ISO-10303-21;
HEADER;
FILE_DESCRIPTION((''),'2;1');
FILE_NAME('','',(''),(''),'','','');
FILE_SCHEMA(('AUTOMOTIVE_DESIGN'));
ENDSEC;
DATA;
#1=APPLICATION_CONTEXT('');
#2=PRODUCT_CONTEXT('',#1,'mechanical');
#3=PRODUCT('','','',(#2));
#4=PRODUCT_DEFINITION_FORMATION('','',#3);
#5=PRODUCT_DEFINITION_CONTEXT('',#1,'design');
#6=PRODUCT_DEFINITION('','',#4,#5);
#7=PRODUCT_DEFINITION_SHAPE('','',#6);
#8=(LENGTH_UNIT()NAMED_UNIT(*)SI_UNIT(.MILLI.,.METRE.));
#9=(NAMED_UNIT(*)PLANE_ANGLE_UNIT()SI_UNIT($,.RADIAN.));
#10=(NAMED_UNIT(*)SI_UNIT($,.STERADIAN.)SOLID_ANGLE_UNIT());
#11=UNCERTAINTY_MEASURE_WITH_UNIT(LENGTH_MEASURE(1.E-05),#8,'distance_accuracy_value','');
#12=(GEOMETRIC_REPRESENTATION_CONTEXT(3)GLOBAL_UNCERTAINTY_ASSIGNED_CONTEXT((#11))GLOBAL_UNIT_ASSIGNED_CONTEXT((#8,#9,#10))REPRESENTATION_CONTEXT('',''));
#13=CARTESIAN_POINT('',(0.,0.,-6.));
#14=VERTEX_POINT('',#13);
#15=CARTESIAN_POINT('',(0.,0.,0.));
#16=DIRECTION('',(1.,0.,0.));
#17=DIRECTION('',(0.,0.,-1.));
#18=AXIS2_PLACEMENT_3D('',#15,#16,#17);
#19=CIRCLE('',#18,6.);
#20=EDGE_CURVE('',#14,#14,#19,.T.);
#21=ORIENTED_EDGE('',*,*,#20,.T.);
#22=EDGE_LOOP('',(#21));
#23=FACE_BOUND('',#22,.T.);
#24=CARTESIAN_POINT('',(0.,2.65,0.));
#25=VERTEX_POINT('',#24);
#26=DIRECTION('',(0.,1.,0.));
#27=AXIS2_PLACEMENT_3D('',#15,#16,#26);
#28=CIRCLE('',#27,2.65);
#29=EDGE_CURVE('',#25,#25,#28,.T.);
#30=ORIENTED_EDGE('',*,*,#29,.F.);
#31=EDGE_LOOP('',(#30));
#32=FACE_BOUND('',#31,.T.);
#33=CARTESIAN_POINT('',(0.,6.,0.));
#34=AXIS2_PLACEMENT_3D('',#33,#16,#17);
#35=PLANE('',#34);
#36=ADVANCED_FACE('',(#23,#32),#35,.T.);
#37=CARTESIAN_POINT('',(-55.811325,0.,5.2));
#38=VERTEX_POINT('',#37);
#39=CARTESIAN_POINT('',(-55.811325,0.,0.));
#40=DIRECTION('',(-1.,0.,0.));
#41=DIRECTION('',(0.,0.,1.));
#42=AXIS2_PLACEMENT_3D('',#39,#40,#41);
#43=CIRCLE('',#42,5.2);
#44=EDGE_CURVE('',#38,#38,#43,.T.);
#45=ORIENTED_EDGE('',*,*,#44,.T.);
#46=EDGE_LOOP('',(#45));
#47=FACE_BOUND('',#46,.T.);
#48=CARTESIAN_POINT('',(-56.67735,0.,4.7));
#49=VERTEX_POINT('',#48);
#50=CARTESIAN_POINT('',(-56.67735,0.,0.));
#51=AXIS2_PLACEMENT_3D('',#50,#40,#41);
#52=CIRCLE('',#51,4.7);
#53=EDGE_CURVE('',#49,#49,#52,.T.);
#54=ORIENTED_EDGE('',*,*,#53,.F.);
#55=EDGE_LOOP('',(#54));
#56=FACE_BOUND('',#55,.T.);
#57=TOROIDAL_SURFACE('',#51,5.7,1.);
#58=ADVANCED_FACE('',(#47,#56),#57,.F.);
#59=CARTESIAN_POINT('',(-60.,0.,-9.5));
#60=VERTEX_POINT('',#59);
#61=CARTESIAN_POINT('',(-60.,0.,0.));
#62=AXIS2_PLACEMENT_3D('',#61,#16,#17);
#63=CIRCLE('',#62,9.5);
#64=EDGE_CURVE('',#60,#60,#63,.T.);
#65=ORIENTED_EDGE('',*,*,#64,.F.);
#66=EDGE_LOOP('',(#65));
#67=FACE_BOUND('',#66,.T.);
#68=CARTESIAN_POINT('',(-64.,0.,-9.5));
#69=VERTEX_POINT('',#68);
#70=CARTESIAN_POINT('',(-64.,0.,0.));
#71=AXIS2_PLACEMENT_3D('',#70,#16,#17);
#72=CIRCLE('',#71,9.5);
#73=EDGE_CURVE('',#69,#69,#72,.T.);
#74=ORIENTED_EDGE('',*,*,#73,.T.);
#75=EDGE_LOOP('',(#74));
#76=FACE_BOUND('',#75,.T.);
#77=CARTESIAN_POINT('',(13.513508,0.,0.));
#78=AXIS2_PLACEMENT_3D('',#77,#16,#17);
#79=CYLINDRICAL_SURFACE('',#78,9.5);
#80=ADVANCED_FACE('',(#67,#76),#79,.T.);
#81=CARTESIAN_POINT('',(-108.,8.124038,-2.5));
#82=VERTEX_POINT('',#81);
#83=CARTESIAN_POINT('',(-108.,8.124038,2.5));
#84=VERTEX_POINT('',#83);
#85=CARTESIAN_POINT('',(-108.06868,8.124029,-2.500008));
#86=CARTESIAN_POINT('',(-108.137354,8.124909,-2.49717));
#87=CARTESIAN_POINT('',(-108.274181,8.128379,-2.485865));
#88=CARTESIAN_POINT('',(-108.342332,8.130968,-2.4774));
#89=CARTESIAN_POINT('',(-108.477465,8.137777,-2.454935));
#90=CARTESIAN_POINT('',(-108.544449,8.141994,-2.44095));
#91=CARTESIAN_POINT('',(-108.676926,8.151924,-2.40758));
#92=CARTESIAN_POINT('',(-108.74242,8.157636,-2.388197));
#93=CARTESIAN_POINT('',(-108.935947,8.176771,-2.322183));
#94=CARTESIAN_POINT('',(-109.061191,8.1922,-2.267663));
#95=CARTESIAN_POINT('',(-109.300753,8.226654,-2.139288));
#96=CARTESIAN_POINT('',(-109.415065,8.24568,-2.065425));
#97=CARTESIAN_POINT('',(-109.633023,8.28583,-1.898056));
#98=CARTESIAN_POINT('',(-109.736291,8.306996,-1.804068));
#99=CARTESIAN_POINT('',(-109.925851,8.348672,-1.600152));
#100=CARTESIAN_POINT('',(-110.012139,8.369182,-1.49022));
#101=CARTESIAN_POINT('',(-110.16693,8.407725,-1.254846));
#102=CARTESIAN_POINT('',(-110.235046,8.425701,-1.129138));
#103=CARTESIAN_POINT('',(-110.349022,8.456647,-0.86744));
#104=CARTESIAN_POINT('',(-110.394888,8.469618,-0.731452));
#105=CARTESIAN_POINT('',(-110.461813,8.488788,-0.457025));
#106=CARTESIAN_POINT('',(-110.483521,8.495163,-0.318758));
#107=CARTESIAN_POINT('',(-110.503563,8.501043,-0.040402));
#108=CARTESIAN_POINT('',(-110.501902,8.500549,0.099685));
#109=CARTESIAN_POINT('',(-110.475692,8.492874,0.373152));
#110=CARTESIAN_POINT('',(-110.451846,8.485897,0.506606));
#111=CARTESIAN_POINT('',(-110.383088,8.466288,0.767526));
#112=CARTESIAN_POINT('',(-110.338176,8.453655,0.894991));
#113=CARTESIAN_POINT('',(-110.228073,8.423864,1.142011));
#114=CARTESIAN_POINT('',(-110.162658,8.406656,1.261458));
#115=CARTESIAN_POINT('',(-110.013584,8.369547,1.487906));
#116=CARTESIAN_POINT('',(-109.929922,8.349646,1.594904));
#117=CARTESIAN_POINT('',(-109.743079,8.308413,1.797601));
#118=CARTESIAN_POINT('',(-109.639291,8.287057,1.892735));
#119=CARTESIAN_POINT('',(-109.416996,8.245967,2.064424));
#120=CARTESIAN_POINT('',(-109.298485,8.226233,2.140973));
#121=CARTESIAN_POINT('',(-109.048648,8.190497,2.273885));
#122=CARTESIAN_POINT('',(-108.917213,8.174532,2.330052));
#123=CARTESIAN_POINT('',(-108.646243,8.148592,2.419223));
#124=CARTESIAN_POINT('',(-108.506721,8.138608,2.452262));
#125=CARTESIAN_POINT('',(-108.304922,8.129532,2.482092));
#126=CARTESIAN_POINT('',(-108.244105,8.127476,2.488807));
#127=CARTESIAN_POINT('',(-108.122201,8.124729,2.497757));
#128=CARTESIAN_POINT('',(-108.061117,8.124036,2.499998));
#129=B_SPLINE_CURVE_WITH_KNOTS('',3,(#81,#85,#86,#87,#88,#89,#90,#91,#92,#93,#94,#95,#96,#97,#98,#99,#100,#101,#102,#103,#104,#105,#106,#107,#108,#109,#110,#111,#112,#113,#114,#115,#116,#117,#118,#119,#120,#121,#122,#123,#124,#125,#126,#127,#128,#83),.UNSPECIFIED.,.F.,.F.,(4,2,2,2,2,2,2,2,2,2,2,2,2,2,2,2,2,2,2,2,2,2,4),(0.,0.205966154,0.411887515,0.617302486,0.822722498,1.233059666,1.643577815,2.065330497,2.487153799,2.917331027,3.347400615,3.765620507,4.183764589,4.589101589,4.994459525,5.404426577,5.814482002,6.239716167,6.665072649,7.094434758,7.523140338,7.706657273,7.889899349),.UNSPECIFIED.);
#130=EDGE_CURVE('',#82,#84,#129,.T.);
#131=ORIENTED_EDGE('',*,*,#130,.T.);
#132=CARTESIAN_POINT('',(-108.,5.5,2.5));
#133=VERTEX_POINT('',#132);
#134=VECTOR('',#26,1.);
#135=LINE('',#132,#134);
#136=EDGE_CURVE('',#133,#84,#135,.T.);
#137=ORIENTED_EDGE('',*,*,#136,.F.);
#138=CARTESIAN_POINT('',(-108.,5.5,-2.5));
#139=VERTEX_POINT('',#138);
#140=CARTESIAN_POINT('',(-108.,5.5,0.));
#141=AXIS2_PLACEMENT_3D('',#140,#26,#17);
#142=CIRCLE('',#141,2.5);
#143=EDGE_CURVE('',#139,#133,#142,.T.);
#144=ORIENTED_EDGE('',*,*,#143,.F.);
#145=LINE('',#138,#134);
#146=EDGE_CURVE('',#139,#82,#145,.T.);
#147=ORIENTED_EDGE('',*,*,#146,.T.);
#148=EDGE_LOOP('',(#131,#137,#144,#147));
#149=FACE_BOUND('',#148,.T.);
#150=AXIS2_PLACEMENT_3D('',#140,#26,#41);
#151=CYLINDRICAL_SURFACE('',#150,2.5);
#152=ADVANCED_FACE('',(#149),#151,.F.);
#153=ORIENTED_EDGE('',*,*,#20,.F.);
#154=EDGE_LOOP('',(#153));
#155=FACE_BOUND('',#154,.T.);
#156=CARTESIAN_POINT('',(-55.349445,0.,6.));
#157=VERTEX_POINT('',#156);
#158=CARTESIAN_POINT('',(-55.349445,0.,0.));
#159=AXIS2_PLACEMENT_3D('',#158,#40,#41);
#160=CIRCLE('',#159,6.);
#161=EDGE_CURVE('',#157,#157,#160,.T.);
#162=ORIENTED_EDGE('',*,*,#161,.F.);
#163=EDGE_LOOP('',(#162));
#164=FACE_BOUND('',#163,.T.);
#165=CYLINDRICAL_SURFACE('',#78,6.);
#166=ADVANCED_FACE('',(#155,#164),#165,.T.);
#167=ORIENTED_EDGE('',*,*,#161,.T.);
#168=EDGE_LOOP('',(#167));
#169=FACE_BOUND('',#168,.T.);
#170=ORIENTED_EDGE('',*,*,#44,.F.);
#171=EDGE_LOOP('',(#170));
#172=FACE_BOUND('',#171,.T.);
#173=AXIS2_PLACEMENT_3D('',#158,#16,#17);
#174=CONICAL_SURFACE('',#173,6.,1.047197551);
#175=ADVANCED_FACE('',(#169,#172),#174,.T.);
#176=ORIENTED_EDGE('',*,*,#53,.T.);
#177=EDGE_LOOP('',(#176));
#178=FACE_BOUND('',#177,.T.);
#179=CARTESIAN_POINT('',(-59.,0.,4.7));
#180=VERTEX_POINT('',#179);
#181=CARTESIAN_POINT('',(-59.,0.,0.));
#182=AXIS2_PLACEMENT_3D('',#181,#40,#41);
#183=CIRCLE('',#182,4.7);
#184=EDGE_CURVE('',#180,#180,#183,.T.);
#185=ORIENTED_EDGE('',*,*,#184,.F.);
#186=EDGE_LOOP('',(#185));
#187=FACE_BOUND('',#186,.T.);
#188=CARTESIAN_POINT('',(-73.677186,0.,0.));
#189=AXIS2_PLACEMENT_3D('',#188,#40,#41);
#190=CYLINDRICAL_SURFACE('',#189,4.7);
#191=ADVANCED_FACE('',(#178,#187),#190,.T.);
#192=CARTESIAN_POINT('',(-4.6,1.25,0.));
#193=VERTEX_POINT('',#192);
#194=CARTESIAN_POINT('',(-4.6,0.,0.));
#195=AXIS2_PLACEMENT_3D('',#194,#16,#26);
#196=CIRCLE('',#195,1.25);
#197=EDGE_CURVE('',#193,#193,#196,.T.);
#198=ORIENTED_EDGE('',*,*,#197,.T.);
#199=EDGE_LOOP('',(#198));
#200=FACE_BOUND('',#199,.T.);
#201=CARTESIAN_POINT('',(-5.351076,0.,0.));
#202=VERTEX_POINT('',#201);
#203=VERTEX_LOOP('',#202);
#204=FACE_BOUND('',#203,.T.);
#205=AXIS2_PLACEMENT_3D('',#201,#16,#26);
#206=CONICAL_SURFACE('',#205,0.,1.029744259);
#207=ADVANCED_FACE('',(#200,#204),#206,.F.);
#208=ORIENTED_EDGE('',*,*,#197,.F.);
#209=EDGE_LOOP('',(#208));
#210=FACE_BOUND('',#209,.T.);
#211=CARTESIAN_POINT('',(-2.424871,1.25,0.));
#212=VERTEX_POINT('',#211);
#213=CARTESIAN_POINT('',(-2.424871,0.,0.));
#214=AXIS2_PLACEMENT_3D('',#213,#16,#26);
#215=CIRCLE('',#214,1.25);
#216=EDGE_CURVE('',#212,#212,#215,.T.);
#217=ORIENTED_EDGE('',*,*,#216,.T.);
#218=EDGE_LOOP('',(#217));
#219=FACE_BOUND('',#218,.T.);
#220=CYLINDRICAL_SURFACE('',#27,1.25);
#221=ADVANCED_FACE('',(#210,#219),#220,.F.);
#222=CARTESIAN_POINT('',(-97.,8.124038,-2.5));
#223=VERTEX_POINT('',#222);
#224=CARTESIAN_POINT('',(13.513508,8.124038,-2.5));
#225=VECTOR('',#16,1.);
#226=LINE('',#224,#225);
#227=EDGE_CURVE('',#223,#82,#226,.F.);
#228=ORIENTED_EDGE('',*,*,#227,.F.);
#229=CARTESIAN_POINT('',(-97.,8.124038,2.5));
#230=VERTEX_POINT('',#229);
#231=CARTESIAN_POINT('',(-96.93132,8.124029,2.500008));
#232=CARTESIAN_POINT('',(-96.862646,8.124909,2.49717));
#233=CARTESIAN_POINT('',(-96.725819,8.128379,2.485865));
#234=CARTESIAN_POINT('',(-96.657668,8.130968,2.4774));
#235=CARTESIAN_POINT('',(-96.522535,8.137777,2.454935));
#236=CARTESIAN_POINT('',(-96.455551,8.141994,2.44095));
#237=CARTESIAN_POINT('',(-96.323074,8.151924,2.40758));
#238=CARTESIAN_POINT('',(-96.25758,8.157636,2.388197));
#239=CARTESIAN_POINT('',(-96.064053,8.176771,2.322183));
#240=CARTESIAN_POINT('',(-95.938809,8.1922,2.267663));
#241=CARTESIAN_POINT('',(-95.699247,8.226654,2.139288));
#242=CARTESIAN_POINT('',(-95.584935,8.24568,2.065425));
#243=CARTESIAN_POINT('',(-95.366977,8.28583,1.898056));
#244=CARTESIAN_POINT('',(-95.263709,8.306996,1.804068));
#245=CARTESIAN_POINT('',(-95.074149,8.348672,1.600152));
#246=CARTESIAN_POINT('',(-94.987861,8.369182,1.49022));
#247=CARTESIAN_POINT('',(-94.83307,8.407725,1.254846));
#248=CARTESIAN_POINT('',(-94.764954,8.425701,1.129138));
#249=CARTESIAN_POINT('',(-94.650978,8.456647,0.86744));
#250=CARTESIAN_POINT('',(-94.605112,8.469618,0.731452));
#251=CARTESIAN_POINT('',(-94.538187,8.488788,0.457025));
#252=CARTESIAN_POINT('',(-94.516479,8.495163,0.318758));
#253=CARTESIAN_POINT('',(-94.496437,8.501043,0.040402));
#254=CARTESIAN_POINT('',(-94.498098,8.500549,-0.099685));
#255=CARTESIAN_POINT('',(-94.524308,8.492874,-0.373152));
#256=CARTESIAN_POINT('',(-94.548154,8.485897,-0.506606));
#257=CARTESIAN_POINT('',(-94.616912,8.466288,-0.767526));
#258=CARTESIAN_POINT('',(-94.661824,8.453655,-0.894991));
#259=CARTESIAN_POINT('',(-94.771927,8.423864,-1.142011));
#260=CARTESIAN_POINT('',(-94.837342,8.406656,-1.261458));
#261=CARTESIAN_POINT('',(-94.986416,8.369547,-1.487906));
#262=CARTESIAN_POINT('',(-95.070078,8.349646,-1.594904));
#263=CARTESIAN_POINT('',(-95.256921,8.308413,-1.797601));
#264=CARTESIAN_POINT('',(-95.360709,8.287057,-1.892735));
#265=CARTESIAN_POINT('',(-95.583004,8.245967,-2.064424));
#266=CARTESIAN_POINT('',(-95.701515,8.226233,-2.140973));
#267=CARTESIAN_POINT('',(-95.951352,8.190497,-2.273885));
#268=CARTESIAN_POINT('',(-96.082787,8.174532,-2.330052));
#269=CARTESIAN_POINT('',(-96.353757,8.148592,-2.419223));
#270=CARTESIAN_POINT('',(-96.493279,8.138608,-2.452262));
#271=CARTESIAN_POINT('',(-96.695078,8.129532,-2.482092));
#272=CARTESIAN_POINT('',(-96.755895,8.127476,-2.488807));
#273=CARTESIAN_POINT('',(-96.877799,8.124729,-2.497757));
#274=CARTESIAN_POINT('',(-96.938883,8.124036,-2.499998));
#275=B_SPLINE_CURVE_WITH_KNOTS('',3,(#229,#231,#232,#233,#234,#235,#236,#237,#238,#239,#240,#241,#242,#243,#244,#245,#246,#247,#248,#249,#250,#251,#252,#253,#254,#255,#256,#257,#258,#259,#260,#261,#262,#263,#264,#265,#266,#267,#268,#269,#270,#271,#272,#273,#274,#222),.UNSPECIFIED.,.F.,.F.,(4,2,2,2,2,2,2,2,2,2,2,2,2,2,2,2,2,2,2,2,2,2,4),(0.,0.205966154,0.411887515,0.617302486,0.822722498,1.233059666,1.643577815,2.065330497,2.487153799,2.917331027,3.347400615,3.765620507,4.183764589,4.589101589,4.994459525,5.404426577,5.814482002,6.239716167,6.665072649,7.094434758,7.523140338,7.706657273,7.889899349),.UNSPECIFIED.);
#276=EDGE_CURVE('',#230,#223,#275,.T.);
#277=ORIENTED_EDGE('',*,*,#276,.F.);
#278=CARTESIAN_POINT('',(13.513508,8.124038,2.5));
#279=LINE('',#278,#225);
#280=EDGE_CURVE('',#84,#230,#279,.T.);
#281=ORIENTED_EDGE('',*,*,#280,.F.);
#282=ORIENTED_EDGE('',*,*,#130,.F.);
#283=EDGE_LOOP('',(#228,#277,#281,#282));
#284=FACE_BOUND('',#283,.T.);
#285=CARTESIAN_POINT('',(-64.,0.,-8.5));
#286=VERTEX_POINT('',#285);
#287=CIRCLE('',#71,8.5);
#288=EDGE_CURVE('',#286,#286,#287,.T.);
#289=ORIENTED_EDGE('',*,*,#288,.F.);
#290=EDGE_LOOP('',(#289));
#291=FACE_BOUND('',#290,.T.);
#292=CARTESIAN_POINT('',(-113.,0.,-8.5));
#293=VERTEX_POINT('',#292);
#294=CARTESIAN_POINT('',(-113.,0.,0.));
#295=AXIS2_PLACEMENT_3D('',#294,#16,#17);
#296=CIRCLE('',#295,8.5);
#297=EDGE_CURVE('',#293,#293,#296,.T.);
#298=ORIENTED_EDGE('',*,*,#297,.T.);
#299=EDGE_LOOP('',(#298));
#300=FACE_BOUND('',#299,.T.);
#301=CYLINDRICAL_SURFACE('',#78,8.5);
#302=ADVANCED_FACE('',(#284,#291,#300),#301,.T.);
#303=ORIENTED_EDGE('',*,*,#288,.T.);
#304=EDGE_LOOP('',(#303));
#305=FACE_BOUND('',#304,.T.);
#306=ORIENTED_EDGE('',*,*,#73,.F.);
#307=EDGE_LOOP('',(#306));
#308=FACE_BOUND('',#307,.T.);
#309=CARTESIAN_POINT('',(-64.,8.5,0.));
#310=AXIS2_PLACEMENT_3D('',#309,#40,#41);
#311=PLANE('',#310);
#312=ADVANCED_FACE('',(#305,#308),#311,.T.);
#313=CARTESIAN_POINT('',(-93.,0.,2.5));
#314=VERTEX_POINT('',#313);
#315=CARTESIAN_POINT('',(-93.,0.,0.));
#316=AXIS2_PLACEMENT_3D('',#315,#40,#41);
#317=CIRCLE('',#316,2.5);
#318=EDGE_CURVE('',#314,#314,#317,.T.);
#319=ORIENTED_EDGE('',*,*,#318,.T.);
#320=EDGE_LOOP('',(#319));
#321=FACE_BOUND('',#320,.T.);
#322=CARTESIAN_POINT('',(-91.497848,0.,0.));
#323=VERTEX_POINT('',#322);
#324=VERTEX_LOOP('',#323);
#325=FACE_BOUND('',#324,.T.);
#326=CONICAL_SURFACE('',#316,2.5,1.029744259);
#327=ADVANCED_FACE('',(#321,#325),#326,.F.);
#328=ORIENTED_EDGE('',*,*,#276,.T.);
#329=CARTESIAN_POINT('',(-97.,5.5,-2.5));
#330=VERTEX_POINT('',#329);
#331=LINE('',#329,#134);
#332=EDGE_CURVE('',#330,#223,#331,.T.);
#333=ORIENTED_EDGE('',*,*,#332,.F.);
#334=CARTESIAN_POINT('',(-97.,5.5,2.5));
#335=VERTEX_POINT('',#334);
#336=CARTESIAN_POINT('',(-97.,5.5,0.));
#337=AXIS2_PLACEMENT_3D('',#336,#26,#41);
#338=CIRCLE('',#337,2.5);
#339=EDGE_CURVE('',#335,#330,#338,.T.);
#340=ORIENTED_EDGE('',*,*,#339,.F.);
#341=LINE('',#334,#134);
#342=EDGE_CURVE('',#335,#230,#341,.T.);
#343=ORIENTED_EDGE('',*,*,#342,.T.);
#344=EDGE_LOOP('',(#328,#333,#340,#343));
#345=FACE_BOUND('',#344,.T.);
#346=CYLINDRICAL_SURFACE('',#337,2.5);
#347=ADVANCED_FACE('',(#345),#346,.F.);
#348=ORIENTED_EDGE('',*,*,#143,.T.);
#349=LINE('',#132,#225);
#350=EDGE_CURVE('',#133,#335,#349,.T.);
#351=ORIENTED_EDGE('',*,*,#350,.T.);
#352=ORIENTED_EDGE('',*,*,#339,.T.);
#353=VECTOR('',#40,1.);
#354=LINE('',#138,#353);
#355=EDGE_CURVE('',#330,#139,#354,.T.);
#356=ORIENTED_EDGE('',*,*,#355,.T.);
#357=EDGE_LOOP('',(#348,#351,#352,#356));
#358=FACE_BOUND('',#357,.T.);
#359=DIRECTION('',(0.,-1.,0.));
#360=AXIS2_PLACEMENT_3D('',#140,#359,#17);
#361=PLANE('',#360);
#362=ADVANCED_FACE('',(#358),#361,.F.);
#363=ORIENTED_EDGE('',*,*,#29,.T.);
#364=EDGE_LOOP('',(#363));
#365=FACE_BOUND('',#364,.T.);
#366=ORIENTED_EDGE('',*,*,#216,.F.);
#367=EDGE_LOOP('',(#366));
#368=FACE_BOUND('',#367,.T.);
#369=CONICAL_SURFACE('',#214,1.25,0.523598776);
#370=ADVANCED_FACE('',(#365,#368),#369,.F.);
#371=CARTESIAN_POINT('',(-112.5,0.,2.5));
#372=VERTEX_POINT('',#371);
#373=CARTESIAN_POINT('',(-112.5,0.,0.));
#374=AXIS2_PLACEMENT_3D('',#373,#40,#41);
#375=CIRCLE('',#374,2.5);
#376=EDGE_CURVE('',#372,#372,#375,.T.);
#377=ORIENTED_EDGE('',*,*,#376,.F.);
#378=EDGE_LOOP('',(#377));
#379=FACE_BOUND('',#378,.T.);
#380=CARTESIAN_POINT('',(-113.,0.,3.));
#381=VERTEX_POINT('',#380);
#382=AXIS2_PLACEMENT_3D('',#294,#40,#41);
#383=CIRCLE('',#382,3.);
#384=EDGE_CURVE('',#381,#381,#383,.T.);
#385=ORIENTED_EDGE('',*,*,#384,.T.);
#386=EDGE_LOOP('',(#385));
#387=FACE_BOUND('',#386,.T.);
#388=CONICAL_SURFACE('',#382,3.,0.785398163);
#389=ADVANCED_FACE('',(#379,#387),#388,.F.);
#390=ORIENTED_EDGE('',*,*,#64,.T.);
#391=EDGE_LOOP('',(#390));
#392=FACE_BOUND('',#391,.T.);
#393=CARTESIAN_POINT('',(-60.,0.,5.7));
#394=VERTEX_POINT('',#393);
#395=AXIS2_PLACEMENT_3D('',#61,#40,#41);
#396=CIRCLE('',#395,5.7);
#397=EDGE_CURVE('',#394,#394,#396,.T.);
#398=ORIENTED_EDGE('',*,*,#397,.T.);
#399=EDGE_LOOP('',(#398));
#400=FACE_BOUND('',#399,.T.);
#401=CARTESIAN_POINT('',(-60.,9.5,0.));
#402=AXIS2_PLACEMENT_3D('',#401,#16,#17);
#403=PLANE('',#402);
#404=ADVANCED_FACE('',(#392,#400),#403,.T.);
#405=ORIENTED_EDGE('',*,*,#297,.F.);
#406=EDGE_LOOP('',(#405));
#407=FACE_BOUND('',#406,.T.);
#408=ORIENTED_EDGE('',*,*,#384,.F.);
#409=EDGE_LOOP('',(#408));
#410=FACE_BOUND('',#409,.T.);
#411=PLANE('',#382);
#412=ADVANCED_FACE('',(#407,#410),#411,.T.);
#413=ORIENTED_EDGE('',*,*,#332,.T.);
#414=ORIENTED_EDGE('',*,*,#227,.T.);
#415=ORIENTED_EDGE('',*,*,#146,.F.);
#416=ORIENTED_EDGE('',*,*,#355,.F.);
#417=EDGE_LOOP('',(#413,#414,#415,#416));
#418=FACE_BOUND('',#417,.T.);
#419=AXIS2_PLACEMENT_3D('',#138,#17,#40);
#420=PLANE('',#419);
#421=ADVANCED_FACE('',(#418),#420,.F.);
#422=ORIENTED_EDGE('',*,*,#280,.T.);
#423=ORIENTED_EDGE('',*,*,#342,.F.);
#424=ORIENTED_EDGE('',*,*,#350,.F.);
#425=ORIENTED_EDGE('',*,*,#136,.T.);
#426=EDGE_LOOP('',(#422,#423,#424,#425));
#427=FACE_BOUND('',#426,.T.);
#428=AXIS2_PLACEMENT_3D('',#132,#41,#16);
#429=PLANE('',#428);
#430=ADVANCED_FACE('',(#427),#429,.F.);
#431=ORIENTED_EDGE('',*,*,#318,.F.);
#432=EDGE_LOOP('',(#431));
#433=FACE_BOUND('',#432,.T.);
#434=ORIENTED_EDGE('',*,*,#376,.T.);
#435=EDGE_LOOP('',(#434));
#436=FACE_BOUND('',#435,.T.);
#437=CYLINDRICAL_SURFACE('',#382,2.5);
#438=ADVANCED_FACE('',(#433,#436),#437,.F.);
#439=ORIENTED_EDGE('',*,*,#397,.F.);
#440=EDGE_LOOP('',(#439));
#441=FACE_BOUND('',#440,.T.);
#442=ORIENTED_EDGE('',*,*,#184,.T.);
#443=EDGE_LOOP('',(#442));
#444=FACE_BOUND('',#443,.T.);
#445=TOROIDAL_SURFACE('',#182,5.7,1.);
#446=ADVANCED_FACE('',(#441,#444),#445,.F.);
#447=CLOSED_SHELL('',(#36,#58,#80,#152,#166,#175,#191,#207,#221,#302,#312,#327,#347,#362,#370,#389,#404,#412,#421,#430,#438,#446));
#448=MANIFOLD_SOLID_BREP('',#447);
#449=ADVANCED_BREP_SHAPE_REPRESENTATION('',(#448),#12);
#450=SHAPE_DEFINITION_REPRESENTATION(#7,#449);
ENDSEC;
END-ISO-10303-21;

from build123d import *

# Parameters (mm, degrees)
SCHNITT_LINEAR_AUSTRAGEN1_DEPTH = 3
M6_GEWINDEBOHRUNG1_D            = 5
M6_GEWINDEBOHRUNG1_DEPTH        = 20
M6_GEWINDEBOHRUNG1_CSINK_D      = 6
M6_GEWINDEBOHRUNG1_CSINK_ANGLE  = 90
M6_GEWINDEBOHRUNG1_TIP          = 1.502151548


with BuildPart() as part:
    # Skizze1 → Rotation1 (revolve)
    with BuildSketch(Plane.XY, mode=Mode.PRIVATE) as rotation1_sk:
        Polygon((-113, 0), (-113, 8.5), (-64, 8.5), (-64, 9.5), (-60, 9.5), (-60, 6), (0, 6), (0, 0), align=None)
    revolve(rotation1_sk.sketch.rotate(Axis((13.513507739, 0, 0), (-1, 0, 0)), 90), axis=Axis((13.513507739, 0, 0), (-1, 0, 0)))

    # Skizze2 → Schnitt-Linear austragen1 (cut)
    with BuildSketch(Plane(origin=(0, 8.5, 0), x_dir=(-1, 0, 0), z_dir=(0, 1, 0))):
        with BuildLine():
            Line((108, 2.5), (97, 2.5))
            ThreePointArc((97, 2.5), (94.5, 0), (97, -2.5))
            Line((97, -2.5), (108, -2.5))
            ThreePointArc((108, -2.5), (110.5, 0), (108, 2.5))
        make_face()
    extrude(amount=-SCHNITT_LINEAR_AUSTRAGEN1_DEPTH, mode=Mode.SUBTRACT)

    # M6 Gewindebohrung1
    with Locations(Plane.ZY.offset(113)):
        with Locations((0, 0)):
            CounterSinkHole(M6_GEWINDEBOHRUNG1_D / 2, M6_GEWINDEBOHRUNG1_CSINK_D / 2, depth=M6_GEWINDEBOHRUNG1_DEPTH, counter_sink_angle=M6_GEWINDEBOHRUNG1_CSINK_ANGLE)
            with Locations((0, 0, -(M6_GEWINDEBOHRUNG1_DEPTH + M6_GEWINDEBOHRUNG1_TIP / 2))):  # 118° drill point
                Cone(0, M6_GEWINDEBOHRUNG1_D / 2, M6_GEWINDEBOHRUNG1_TIP, mode=Mode.SUBTRACT)

    # Skizze31 → Schnitt-Rotation1 (revolve, cut)
    with BuildSketch(Plane(origin=(-60, 0, 0), x_dir=(-1, 0, 0), z_dir=(0, 0, -1)), mode=Mode.PRIVATE) as schnitt_rotation1_sk:
        with BuildLine():
            Line((-4.65055535, 6), (-4.188675135, 5.2))
            ThreePointArc((-4.188675135, 5.2), (-3.822649731, 4.833974596), (-3.322649731, 4.7))
            Line((-3.322649731, 4.7), (-1, 4.7))
            ThreePointArc((-1, 4.7), (-0.292893219, 4.992893219), (0, 5.7))
            Line((0, 5.7), (0, 6))
            Line((0, 6), (-4.65055535, 6))
        make_face()
    revolve(schnitt_rotation1_sk.sketch.rotate(Axis((-73.677186203, 0, 0), (1, 0, 0)), 90), axis=Axis((-73.677186203, 0, 0), (1, 0, 0)), mode=Mode.SUBTRACT)

    # Skizze32 → Schnitt-Rotation11 (revolve, cut)
    with BuildSketch(Plane(origin=(0, 0, 0), x_dir=(0, 0, -1), z_dir=(0, -1, 0)), mode=Mode.PRIVATE) as schnitt_rotation11_sk:
        Polygon((0, -5.351075774), (1.25, -4.6), (1.25, -2.424871131), (2.65, 0), (0, 0), align=None)
    revolve(schnitt_rotation11_sk.sketch.rotate(Axis((0, 0, 0), (-1, 0, 0)), 270), axis=Axis((0, 0, 0), (-1, 0, 0)), mode=Mode.SUBTRACT)


solid = part.part
